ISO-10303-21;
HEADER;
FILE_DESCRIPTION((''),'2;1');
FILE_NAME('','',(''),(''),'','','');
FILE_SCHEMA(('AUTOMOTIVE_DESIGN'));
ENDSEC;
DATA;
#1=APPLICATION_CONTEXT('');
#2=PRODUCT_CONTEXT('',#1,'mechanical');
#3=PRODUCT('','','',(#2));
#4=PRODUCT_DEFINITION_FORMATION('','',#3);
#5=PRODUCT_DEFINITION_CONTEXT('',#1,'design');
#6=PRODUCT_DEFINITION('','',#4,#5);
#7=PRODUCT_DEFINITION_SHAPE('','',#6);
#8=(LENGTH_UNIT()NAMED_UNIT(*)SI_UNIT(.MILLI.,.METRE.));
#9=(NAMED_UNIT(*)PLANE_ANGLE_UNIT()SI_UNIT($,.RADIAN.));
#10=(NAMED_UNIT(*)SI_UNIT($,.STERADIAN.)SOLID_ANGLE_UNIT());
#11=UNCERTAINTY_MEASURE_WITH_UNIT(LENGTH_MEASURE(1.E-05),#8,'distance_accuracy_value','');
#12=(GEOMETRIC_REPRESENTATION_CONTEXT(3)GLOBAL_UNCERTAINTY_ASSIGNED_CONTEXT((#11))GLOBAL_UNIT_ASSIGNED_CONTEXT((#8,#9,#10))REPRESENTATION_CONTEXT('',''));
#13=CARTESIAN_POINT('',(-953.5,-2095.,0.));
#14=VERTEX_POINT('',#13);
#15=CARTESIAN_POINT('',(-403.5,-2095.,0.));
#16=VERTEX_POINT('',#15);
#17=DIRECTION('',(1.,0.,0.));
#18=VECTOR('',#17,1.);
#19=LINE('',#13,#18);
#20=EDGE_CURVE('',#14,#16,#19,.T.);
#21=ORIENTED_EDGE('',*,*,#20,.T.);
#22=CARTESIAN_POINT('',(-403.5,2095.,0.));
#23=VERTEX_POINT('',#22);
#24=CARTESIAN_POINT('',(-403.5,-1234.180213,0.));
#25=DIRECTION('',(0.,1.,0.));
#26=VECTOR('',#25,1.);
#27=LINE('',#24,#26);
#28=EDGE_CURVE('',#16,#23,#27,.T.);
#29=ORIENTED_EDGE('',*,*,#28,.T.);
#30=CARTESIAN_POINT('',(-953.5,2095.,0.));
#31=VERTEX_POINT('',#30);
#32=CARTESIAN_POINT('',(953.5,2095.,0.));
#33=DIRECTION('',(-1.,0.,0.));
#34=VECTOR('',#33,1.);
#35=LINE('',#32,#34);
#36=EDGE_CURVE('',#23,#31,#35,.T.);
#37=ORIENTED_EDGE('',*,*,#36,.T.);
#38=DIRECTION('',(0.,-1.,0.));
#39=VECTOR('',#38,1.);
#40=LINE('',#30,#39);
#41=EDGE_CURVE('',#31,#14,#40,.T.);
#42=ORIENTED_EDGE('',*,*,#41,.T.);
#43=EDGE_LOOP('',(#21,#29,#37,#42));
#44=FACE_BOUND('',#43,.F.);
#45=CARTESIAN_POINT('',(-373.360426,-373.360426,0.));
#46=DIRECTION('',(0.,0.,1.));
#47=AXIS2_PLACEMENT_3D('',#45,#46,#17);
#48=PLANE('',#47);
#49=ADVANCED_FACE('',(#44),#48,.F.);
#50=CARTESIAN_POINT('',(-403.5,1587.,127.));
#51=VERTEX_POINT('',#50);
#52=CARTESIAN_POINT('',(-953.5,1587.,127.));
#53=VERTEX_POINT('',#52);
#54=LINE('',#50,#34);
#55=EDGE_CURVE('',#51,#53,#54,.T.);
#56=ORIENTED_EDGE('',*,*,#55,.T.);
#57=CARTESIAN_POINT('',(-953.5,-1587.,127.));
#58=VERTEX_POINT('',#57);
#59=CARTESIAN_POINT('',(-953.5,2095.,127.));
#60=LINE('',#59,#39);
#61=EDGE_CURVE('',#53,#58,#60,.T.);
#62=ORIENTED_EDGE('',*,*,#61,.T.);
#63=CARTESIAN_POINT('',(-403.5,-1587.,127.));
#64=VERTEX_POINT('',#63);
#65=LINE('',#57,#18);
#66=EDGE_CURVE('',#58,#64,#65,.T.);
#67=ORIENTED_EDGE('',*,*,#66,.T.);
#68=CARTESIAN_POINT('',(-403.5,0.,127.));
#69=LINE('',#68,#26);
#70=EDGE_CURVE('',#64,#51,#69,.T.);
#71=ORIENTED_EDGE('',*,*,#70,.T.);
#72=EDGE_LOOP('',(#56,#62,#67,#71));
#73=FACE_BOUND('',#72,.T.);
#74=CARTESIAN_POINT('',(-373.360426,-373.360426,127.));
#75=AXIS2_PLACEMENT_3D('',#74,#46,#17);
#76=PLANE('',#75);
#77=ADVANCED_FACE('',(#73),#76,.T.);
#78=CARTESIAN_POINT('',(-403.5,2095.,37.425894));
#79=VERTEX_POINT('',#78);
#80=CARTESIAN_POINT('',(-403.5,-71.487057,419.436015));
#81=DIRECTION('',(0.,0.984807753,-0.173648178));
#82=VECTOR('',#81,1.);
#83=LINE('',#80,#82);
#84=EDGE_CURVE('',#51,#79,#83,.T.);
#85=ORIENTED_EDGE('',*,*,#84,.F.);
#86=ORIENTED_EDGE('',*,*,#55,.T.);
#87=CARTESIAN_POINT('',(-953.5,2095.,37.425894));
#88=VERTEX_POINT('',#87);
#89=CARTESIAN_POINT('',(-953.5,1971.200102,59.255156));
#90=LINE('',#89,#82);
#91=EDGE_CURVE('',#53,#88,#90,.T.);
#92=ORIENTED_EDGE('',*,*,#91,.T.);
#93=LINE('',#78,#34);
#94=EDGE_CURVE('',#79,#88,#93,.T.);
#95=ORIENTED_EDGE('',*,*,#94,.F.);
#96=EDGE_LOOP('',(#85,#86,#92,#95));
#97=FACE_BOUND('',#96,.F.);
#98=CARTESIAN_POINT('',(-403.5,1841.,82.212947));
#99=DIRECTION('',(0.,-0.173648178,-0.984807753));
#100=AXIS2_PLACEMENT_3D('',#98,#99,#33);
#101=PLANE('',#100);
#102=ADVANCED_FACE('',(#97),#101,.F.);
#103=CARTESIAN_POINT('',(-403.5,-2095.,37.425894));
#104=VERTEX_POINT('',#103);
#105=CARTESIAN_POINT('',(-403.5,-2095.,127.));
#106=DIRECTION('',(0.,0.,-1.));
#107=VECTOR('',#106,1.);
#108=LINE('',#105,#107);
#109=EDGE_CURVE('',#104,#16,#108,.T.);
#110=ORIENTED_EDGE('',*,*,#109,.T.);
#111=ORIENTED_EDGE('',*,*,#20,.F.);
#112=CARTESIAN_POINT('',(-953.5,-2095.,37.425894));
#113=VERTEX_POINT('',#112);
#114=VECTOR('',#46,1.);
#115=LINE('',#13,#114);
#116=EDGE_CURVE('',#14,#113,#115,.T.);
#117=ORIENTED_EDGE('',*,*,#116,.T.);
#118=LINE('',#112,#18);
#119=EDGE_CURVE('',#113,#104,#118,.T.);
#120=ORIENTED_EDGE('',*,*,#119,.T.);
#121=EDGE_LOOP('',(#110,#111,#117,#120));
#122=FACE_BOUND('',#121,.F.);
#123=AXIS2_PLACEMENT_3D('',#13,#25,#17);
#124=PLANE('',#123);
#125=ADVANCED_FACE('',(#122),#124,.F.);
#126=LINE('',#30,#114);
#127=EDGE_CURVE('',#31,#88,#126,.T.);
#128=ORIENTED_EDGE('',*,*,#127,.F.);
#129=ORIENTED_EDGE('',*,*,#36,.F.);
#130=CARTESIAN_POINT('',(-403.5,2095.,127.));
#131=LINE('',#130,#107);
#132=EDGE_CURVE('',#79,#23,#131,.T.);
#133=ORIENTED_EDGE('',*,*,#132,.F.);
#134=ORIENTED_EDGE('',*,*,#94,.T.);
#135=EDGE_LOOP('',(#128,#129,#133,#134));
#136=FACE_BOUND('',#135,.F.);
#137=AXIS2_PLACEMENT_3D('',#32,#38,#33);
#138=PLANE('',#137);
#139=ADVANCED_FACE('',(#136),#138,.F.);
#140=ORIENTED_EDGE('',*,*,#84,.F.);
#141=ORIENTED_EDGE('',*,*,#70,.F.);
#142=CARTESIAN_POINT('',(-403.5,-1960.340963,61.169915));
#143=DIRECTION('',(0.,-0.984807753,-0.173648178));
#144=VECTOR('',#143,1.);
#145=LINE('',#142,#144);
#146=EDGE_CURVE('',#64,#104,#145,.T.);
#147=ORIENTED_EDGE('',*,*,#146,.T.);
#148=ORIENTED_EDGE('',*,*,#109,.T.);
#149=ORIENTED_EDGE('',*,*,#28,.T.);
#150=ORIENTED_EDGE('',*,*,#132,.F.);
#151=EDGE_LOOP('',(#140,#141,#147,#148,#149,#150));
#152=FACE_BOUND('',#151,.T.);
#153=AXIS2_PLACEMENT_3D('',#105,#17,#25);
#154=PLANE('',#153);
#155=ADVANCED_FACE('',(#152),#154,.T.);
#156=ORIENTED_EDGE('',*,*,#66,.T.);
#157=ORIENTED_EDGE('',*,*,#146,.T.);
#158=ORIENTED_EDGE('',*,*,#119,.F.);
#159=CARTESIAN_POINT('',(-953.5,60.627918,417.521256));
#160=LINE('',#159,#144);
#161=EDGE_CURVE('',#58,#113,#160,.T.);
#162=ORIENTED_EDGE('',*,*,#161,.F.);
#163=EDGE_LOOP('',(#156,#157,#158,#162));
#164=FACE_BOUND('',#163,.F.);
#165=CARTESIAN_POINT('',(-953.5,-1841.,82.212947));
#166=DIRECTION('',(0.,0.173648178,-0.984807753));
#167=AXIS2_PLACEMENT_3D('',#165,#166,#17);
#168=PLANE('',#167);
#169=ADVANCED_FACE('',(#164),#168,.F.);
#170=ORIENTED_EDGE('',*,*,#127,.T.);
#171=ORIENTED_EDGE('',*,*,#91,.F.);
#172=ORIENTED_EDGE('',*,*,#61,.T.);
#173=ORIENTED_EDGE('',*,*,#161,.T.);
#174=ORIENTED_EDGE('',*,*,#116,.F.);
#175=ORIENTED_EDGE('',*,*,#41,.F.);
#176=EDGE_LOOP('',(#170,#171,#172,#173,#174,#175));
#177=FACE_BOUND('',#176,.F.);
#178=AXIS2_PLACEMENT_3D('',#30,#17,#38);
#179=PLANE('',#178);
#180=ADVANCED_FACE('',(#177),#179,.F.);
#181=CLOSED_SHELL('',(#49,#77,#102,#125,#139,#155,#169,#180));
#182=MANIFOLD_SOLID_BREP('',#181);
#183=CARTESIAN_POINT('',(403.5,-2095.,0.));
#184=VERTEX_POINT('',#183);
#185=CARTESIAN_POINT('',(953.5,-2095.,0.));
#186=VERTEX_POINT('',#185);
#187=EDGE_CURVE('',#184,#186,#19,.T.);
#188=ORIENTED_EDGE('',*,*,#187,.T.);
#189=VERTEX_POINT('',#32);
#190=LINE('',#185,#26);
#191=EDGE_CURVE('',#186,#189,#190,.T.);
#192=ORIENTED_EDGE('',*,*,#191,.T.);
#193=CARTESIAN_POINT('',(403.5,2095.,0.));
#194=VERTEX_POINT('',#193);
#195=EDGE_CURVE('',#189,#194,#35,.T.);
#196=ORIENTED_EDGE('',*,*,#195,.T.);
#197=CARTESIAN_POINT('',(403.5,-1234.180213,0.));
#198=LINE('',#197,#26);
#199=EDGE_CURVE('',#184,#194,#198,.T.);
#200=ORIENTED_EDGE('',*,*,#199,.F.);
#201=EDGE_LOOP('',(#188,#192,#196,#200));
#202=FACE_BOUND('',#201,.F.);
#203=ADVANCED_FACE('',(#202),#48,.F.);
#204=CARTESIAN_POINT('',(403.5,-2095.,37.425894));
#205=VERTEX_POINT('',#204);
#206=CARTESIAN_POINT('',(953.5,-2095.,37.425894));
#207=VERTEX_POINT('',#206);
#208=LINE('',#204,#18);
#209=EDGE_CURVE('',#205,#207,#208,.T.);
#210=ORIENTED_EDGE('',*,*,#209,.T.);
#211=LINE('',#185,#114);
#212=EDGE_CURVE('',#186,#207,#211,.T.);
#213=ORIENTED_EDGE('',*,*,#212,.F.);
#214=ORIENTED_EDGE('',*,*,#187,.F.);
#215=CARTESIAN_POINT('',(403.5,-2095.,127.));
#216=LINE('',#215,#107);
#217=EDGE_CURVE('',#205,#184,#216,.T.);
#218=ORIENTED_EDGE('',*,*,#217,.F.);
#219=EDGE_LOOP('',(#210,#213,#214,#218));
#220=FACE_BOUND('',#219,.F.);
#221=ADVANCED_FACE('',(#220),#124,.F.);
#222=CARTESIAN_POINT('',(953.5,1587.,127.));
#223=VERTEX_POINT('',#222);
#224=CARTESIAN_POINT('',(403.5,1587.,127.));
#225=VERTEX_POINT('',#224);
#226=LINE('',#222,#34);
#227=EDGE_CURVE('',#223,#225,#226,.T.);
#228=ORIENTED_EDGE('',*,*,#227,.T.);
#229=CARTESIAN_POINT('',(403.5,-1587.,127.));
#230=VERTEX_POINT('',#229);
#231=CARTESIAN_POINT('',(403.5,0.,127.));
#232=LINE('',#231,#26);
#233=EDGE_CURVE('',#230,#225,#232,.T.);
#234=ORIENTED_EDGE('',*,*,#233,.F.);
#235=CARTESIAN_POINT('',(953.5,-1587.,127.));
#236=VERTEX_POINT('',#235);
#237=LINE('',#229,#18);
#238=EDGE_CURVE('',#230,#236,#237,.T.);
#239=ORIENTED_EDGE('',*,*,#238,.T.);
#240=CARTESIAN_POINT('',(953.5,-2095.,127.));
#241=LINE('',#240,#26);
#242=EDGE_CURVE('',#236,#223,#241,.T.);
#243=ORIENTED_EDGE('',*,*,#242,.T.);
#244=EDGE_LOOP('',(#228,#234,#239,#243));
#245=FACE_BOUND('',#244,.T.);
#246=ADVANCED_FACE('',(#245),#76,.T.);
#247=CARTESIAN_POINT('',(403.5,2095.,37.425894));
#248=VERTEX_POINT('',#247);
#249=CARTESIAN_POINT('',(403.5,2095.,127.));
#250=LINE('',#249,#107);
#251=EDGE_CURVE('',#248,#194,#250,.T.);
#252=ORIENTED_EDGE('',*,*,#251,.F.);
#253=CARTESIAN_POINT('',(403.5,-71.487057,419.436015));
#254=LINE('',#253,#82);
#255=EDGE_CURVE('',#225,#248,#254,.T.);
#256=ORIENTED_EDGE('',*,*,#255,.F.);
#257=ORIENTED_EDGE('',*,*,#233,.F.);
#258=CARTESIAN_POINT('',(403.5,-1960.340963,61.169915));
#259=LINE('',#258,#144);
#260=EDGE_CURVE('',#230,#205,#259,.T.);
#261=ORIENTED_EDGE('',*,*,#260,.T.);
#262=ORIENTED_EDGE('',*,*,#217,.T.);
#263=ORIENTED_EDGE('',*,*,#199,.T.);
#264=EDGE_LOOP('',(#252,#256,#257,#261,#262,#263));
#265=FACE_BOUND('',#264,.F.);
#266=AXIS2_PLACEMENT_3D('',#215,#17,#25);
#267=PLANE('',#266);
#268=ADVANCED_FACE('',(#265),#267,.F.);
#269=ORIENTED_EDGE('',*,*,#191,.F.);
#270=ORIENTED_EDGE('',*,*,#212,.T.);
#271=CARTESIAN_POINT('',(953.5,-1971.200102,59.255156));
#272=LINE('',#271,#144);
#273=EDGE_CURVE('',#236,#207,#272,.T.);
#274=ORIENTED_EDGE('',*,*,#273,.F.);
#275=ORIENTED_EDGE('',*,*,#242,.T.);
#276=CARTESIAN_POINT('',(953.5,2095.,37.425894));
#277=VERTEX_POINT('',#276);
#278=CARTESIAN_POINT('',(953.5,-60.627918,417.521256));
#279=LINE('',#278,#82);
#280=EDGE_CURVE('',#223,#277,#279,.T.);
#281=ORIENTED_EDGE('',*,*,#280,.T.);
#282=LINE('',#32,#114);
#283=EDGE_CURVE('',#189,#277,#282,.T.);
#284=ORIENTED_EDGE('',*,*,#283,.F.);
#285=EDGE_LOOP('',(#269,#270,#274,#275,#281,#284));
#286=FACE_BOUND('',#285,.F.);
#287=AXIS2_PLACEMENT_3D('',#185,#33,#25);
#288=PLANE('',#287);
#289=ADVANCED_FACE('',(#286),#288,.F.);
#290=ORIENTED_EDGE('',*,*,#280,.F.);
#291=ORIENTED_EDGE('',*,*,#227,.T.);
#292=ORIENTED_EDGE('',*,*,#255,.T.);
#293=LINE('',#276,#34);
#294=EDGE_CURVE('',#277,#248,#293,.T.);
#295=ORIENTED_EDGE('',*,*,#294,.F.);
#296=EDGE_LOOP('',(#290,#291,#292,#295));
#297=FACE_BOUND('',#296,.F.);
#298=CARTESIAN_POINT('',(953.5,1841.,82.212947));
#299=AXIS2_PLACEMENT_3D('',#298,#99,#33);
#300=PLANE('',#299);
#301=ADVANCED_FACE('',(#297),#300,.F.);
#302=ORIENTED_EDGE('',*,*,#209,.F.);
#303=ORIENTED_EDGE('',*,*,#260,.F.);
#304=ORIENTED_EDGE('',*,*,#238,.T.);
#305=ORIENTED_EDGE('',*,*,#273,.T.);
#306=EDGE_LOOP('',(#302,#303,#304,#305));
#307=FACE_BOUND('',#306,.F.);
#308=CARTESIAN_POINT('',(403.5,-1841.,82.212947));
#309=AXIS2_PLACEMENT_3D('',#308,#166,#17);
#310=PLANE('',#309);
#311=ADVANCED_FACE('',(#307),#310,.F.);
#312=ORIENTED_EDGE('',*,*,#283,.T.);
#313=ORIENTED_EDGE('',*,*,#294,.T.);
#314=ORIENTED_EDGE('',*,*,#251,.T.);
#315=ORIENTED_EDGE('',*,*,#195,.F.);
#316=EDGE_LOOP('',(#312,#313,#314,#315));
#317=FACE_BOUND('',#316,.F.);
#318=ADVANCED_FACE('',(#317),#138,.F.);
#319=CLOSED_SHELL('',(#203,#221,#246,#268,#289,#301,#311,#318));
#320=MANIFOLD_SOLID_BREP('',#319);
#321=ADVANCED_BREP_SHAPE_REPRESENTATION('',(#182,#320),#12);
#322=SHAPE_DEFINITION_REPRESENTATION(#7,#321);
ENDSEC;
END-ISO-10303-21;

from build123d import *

# Parameters (mm, degrees)
F1_DEPTH   = 127
F2_W       = 807
F2_H       = 4190
F3_DEPTH   = 127.001
F4_SIZE2   = 89.5741061999
F4_SIZE    = 508
F4_2_SIZE2 = 89.5741061999
F4_2_SIZE  = 508


with BuildPart() as f1:
    # F0 (on Top) → F1 (new body)
    with BuildSketch(Plane.XY):
        Polygon((-953.5, 2095), (-953.5, -2095), (953.5, -2095), align=None)
        Polygon((-953.5, 2095), (953.5, -2095), (953.5, 2095), align=None)
    extrude(amount=F1_DEPTH)

    # F2 (on face) → F3 (cut, through all)
    with BuildSketch(Plane.XY.offset(127)):
        Rectangle(F2_W, F2_H)
    extrude(amount=-F3_DEPTH, mode=Mode.SUBTRACT)

    # F4
    f4_edges = [f1.edges().sort_by_distance(p)[0] for p in [
        (-678.5, -2095, 127),
        (-678.5, 2095, 127),
    ]]
    f4_side = f1.faces().sort_by_distance((-678.5, 0, 127))[0]
    chamfer(f4_edges, length=F4_SIZE, length2=F4_SIZE2, reference=f4_side)

    # F4#2
    f4_2_edges = [f1.edges().sort_by_distance(p)[0] for p in [
        (678.5, -2095, 127),
        (678.5, 2095, 127),
    ]]
    f4_2_side = f1.faces().sort_by_distance((678.5, 0, 127))[0]
    chamfer(f4_2_edges, length=F4_2_SIZE, length2=F4_2_SIZE2, reference=f4_2_side)


solid = f1.part
